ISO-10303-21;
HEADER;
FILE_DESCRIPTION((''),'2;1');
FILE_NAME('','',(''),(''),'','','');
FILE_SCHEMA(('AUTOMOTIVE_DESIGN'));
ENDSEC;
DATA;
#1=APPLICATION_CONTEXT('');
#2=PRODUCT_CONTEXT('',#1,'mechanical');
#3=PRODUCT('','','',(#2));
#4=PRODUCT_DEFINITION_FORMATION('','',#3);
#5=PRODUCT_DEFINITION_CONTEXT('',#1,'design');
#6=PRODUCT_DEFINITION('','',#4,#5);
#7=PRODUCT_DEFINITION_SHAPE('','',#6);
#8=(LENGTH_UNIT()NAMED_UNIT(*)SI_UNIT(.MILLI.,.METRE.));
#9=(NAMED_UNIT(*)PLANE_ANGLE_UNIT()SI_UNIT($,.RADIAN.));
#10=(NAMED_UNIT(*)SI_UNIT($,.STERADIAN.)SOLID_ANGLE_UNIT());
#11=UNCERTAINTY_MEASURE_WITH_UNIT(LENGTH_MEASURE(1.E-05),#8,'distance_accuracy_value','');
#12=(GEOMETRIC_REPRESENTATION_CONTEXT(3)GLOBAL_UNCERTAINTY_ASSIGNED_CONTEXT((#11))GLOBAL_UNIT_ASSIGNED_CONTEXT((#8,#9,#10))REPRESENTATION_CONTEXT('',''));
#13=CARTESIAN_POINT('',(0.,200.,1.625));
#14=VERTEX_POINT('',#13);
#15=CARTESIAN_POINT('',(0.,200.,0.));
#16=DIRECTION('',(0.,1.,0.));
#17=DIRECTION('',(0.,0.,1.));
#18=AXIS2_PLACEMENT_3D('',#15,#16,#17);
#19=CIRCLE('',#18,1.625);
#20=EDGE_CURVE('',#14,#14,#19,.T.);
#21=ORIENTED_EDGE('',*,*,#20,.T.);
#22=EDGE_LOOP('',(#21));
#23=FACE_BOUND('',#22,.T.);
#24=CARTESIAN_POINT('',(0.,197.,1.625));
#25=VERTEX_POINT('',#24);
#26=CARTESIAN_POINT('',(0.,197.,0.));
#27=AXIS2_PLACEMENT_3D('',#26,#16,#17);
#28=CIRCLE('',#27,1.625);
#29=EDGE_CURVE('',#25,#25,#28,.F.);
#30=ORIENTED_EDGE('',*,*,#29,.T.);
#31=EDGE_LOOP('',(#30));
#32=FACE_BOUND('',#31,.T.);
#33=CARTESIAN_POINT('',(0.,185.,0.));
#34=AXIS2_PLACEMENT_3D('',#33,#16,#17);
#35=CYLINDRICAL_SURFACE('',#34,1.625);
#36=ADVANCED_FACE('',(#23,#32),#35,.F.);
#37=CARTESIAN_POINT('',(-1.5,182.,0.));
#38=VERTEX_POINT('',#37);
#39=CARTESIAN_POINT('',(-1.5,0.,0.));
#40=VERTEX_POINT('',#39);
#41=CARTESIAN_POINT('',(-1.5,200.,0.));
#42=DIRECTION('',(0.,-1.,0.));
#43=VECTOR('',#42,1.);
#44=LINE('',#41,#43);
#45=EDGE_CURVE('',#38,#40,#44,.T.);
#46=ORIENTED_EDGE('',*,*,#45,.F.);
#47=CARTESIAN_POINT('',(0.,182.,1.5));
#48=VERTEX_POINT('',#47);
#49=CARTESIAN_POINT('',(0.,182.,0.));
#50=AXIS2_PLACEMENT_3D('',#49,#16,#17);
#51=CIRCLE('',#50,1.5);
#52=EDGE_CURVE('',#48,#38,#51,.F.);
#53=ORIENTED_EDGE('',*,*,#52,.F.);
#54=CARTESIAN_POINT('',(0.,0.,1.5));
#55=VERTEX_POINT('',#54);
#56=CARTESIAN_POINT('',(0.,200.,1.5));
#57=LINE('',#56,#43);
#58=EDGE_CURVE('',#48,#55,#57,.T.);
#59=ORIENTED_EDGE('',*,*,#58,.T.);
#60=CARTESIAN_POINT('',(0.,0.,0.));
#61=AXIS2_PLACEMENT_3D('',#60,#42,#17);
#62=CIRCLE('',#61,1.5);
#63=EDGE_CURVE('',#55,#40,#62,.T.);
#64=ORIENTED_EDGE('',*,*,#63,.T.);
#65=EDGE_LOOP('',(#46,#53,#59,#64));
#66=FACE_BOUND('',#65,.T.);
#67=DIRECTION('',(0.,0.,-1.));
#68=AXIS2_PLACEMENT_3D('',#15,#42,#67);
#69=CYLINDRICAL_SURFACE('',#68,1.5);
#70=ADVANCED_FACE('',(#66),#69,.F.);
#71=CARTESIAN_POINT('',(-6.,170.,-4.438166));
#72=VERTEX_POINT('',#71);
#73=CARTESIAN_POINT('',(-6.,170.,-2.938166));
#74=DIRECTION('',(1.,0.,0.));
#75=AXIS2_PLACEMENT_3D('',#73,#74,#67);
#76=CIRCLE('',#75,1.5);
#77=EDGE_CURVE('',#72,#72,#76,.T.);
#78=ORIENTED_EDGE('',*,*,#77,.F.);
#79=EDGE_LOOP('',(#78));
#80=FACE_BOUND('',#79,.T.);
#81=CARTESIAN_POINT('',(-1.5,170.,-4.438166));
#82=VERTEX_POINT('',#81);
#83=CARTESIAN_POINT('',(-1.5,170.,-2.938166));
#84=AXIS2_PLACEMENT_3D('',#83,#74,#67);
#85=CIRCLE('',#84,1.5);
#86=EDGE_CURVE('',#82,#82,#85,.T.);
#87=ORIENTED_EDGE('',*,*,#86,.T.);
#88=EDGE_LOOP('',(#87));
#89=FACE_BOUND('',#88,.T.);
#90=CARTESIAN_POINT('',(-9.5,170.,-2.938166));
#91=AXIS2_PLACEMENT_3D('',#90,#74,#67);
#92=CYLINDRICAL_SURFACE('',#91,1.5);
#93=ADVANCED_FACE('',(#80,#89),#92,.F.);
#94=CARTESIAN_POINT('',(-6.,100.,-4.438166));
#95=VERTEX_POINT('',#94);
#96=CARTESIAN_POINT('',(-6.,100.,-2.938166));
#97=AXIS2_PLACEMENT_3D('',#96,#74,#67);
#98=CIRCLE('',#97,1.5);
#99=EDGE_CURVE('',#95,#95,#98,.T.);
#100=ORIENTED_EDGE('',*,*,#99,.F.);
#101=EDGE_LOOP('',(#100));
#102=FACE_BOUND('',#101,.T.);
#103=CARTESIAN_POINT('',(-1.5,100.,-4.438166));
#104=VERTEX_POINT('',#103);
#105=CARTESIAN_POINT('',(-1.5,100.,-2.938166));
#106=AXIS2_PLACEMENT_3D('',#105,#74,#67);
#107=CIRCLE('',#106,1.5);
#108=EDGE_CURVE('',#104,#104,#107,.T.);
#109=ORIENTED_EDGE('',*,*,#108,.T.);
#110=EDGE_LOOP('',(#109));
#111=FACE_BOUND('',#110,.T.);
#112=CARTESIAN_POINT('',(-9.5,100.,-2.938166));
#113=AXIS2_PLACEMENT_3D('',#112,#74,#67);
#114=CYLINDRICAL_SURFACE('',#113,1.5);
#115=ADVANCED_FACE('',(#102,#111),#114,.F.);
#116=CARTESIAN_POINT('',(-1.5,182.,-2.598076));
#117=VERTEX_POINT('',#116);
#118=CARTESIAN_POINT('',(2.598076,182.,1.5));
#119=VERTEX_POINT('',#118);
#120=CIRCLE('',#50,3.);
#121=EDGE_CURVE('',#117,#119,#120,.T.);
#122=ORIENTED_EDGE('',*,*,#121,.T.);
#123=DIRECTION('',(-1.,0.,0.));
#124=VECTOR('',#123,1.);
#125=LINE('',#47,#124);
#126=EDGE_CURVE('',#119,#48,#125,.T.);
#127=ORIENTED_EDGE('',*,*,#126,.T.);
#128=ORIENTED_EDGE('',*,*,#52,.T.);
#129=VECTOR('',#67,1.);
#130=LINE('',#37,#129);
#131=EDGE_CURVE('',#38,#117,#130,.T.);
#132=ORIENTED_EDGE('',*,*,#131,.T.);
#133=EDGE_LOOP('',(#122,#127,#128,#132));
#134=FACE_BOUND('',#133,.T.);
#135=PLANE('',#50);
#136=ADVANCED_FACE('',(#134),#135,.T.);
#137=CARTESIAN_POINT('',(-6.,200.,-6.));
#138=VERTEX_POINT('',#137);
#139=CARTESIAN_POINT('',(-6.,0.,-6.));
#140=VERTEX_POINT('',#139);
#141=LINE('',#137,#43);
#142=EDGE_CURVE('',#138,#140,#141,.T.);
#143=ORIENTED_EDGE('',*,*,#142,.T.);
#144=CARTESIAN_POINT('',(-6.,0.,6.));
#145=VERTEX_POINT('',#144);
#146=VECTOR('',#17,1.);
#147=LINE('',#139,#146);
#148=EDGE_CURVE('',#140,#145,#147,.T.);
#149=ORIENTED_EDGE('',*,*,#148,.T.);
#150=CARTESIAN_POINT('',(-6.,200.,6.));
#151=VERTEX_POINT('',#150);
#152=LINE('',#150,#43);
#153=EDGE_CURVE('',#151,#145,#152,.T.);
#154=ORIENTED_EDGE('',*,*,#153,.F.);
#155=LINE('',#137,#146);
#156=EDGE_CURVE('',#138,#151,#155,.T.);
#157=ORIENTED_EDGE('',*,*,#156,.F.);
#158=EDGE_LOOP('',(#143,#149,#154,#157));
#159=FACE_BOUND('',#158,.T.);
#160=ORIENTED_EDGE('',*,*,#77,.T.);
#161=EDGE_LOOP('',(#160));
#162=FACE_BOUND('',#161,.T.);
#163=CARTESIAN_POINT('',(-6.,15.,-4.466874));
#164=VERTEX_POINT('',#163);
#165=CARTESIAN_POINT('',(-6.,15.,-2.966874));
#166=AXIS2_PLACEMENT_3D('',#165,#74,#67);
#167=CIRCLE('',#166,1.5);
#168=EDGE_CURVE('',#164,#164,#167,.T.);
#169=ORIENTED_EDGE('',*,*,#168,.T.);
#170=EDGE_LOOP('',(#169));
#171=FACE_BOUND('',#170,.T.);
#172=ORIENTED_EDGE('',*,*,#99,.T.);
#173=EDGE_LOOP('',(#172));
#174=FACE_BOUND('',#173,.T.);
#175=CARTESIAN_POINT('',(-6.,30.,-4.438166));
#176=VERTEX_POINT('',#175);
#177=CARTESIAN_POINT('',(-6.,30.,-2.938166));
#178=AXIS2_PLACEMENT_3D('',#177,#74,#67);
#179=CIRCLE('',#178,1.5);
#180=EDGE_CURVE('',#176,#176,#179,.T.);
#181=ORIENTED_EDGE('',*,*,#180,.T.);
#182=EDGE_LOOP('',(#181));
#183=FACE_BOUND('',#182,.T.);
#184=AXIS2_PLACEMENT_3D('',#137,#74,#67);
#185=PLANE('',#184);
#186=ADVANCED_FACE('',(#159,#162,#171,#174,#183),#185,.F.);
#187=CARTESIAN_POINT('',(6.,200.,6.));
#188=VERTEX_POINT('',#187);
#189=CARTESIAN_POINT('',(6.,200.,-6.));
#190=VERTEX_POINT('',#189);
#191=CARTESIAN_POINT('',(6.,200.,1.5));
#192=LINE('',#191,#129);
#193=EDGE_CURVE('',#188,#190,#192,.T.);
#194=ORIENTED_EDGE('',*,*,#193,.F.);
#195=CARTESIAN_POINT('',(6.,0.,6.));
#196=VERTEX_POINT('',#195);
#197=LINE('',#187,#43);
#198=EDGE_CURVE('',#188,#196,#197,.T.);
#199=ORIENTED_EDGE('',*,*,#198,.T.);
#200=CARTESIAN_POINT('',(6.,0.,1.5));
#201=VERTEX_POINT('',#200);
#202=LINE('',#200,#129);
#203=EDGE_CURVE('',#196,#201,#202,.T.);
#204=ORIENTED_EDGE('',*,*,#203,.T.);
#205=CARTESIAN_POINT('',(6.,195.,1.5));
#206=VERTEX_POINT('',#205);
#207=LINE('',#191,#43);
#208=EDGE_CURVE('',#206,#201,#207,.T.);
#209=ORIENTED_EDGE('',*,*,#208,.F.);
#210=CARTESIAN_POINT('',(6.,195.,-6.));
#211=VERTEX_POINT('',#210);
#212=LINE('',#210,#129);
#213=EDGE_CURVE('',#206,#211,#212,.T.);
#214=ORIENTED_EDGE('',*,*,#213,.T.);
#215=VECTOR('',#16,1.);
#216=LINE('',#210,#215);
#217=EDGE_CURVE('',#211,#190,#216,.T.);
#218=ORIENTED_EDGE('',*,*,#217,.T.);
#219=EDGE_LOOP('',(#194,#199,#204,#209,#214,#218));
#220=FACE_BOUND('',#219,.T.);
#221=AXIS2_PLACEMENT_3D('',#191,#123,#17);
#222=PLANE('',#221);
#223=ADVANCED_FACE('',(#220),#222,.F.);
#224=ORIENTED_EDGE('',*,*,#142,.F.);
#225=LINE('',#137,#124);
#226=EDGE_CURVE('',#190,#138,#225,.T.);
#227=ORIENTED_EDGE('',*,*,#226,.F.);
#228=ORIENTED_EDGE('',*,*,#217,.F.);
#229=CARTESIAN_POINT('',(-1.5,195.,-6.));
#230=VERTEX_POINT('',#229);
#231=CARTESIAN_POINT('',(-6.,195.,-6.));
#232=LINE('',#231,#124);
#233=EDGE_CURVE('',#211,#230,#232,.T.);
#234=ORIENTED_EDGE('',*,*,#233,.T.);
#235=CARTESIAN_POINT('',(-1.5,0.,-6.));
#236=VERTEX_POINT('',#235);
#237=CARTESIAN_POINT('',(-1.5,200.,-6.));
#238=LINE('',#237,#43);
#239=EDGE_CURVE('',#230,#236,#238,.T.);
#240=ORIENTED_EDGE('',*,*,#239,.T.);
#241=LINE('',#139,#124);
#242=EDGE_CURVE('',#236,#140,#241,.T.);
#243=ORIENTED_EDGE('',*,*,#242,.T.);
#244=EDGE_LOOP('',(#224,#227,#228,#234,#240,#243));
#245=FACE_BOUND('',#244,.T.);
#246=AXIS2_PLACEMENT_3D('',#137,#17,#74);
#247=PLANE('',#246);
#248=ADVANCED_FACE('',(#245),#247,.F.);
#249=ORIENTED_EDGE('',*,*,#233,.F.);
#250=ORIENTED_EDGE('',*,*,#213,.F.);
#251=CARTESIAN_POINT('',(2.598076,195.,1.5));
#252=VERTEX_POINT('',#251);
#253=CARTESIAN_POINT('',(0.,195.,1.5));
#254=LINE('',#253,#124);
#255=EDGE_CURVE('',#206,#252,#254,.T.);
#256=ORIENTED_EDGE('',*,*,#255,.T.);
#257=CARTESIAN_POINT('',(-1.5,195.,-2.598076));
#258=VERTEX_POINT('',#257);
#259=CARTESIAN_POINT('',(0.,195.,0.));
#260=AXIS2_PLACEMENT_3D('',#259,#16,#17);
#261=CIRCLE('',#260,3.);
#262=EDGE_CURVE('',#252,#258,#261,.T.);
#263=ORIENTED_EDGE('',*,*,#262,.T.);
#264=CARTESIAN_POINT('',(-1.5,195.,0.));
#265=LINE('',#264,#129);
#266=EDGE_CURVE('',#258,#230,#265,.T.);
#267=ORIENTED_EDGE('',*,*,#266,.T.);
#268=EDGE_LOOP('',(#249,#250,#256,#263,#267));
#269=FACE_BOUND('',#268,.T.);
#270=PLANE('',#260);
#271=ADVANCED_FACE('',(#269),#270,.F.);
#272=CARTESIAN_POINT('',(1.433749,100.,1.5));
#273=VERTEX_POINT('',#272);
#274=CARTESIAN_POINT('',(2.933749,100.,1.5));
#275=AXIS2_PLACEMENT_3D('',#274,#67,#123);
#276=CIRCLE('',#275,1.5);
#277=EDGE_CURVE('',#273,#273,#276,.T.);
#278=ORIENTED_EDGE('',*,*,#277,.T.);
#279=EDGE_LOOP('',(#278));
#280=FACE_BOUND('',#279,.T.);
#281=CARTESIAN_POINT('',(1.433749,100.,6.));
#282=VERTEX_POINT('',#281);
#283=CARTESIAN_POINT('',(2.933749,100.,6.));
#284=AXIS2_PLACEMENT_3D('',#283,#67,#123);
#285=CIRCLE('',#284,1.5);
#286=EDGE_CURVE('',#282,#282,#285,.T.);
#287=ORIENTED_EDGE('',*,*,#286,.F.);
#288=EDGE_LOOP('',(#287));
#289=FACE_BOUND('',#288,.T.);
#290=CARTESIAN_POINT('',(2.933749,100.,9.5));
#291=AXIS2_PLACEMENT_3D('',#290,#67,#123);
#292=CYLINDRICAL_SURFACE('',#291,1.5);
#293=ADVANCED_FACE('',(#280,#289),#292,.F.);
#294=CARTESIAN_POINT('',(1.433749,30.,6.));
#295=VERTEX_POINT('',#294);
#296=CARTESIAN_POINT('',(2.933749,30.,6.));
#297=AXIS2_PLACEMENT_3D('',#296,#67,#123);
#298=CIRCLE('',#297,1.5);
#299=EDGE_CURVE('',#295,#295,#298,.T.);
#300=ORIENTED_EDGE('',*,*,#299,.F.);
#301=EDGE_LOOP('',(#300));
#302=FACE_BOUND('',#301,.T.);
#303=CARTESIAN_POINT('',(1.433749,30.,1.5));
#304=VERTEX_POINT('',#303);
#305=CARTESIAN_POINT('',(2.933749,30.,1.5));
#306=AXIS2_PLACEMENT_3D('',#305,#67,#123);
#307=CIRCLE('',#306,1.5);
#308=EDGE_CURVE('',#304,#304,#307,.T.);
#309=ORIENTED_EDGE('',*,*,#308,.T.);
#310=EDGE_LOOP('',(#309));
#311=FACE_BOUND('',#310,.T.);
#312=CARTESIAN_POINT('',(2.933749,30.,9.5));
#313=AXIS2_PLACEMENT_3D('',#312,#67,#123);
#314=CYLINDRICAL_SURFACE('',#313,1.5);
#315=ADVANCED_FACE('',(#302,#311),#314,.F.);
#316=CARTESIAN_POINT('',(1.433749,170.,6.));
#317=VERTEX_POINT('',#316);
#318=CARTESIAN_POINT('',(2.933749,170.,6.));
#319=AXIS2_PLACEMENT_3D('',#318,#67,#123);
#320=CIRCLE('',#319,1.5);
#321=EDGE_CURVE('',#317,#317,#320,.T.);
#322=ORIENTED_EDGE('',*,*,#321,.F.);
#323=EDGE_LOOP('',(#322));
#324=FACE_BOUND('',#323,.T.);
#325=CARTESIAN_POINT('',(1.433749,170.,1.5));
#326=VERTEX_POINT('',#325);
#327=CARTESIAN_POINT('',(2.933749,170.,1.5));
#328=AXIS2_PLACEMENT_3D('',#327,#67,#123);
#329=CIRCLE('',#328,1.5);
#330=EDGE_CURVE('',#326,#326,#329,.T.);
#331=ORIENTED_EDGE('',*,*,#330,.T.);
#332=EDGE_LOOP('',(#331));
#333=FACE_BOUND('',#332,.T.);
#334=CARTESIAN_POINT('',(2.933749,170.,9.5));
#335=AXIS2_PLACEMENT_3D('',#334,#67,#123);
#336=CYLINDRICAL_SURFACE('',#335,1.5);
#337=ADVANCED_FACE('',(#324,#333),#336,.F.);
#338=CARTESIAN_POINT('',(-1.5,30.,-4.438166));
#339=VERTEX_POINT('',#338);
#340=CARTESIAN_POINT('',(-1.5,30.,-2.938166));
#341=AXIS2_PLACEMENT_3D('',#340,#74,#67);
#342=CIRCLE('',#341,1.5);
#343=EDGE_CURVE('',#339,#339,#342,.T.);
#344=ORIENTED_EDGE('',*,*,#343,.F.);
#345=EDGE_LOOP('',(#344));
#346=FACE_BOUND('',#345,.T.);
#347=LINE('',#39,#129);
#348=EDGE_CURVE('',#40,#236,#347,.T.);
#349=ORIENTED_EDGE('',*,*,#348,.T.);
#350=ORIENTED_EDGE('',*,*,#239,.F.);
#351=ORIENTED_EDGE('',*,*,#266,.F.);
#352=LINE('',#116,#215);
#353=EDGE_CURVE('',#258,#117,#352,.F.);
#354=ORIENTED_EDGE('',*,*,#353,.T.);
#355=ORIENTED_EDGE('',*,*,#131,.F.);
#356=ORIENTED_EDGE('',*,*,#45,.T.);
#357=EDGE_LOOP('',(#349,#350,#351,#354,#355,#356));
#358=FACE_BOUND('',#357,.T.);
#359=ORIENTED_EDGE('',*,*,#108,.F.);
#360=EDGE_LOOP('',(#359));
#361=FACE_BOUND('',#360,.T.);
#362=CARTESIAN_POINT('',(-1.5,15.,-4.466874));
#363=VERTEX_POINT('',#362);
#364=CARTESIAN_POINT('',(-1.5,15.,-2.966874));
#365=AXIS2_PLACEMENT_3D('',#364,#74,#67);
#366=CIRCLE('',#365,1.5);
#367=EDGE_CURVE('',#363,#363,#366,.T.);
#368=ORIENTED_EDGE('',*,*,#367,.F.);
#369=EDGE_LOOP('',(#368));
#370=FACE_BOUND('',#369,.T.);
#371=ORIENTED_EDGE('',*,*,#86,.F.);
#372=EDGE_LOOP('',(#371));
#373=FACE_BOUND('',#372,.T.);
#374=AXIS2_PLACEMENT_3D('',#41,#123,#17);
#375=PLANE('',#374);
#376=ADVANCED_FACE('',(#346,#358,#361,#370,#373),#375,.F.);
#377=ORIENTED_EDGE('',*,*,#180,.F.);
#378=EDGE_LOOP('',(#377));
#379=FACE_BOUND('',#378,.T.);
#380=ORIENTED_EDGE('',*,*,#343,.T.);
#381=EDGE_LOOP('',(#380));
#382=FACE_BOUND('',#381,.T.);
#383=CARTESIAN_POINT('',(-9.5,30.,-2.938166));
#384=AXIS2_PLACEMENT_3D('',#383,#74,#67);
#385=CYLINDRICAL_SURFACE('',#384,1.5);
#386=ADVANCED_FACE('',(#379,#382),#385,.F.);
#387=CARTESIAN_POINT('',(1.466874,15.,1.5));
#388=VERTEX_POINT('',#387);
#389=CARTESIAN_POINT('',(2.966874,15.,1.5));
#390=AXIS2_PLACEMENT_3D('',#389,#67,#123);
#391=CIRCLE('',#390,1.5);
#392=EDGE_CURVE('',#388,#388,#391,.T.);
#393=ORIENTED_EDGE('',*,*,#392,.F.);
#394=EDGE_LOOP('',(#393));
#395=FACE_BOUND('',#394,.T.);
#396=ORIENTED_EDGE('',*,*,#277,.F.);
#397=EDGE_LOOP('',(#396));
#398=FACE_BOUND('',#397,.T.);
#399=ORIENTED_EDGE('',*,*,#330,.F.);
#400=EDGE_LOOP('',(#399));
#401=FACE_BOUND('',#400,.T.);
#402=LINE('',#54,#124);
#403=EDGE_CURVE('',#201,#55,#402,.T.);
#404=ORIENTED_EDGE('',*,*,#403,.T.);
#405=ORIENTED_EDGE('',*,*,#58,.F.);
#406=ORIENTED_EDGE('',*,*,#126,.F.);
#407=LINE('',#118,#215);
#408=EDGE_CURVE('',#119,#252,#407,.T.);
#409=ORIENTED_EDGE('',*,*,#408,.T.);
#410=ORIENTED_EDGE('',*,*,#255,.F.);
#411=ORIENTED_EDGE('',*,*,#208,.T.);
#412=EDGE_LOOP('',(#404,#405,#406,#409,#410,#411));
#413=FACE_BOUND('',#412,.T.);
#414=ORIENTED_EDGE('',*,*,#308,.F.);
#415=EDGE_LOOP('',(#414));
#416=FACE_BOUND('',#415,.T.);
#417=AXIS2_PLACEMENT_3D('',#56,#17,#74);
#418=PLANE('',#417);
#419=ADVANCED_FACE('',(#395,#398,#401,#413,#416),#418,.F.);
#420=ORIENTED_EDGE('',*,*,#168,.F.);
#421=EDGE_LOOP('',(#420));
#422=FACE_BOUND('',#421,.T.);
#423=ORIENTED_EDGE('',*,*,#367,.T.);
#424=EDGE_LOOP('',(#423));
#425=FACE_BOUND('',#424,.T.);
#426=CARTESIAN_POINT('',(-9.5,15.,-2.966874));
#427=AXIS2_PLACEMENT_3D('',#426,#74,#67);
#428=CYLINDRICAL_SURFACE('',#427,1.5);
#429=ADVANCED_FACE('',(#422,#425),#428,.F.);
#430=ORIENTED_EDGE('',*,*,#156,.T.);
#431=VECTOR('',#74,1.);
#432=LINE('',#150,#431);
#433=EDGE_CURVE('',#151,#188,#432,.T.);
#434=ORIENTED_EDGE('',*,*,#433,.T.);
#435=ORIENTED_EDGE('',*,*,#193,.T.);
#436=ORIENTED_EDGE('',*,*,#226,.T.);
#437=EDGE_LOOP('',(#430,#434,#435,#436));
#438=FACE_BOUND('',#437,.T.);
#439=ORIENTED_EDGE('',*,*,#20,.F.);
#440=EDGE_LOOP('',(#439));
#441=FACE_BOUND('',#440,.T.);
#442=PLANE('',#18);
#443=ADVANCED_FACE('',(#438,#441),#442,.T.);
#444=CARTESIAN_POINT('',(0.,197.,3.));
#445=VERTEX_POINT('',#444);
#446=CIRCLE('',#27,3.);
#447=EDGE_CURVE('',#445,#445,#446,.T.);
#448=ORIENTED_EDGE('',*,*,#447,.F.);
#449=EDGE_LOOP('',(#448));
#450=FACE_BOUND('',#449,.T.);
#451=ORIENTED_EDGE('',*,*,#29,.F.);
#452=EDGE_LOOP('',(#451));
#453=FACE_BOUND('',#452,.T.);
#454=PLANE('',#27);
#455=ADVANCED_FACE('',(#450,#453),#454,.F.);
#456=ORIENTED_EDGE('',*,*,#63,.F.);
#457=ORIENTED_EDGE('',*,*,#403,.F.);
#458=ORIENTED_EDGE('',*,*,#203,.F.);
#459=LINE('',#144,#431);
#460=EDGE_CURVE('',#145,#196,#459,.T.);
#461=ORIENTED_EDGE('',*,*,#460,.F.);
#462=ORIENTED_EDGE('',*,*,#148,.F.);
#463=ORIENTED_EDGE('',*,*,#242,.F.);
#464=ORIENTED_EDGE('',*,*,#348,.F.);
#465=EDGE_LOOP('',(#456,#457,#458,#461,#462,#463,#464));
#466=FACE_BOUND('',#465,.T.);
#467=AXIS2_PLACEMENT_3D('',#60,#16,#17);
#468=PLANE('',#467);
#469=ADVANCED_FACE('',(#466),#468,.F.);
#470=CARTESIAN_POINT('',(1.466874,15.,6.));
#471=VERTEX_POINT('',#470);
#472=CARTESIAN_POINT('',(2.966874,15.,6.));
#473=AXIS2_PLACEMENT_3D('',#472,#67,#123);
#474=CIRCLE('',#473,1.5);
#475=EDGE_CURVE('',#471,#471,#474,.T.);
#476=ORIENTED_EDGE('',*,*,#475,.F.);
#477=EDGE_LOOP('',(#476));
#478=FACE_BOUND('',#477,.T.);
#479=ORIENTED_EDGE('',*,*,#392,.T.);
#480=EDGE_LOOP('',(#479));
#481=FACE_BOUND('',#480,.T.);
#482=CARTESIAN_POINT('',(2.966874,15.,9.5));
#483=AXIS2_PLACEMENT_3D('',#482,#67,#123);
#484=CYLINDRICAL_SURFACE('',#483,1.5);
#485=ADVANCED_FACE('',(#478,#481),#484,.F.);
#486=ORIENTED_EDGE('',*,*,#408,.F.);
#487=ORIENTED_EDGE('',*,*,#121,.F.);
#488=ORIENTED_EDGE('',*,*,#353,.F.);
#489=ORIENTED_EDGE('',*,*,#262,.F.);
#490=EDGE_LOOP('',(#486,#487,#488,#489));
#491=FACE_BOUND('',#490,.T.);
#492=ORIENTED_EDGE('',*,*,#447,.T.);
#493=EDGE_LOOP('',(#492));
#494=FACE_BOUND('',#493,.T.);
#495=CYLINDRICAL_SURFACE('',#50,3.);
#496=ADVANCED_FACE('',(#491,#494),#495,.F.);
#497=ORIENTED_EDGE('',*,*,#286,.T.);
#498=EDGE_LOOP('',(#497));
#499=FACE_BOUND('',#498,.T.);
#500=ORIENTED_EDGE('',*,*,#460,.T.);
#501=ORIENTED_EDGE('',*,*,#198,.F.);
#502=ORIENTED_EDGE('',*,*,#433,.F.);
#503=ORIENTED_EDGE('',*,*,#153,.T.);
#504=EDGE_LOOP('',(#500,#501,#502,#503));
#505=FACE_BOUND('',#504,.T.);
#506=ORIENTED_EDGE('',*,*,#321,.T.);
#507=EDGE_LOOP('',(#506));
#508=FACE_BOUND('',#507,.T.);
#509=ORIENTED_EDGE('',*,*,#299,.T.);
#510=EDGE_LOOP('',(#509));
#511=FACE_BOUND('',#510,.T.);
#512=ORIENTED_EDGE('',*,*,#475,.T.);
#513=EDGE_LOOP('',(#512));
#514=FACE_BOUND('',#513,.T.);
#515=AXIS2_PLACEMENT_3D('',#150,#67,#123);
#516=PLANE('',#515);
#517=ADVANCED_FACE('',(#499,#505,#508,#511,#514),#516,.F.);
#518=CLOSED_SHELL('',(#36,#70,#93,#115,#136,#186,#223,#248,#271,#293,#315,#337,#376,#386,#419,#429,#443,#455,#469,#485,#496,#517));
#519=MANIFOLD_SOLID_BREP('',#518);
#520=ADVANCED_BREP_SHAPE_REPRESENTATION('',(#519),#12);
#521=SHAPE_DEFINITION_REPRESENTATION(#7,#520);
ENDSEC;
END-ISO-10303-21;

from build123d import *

# Parameters (mm, degrees)
BOSS_EXTRUDE1_DEPTH = 200
SKETCH2_W           = 12
SKETCH2_H           = 12
BOSS_EXTRUDE2_DEPTH = 5
SKETCH3_R           = 1.625
CUT_EXTRUDE1_DEPTH  = 15
CUT_EXTRUDE3_START  = -3
SKETCH6_R           = 3
CUT_EXTRUDE3_DEPTH  = 15
SKETCH7_R           = 1.5
CUT_EXTRUDE4_DEPTH  = 8
SKETCH8_R           = 1.5
CUT_EXTRUDE5_DEPTH  = 8


with BuildPart() as part:
    # Sketch1 → Boss-Extrude1 (new body)
    with BuildSketch(Plane(origin=(0, 0, 0), x_dir=(1, 0, 0), z_dir=(0, 1, 0))):
        with BuildLine():
            Line((-6, 6), (-1.5, 6))
            Line((-1.5, 6), (-1.5, 0))
            ThreePointArc((-1.5, 0), (-1.060660172, -1.060660172), (0, -1.5))
            Line((0, -1.5), (6, -1.5))
            Line((6, -1.5), (6, -6))
            Line((6, -6), (-6, -6))
            Line((-6, -6), (-6, 6))
        make_face()
    extrude(amount=BOSS_EXTRUDE1_DEPTH)

    # Sketch2 → Boss-Extrude2 (add)
    with BuildSketch(Plane(origin=(0, 200, 0), x_dir=(1, 0, 0), z_dir=(0, 1, 0))):
        Rectangle(SKETCH2_W, SKETCH2_H)
    extrude(amount=-BOSS_EXTRUDE2_DEPTH)

    # Sketch3 → Cut-Extrude1 (cut)
    with BuildSketch(Plane(origin=(0, 200, 0), x_dir=(1, 0, 0), z_dir=(0, 1, 0))):
        with Locations(Location((0, 0, 0), (0, 0, 270))):
            Circle(SKETCH3_R)
    extrude(amount=-CUT_EXTRUDE1_DEPTH, mode=Mode.SUBTRACT)

    # Sketch6 → Cut-Extrude3 (cut)
    with BuildSketch(Plane(origin=(0, 200, 0), x_dir=(1, 0, 0), z_dir=(0, 1, 0)).offset(CUT_EXTRUDE3_START)):
        with Locations(Location((0, 0, 0), (0, 0, 270))):
            Circle(SKETCH6_R)
    extrude(amount=-CUT_EXTRUDE3_DEPTH, mode=Mode.SUBTRACT)

    # Sketch7 → Cut-Extrude4 (cut)
    with BuildSketch(Plane(origin=(0, 0, 1.5), x_dir=(-1, 0, 0), z_dir=(0, 0, -1))):
        with Locations((-2.933748826, 30)):
            Circle(SKETCH7_R)
        with Locations((-2.933748826, 100)):
            Circle(SKETCH7_R)
        with Locations((-2.933748826, 170)):
            Circle(SKETCH7_R)
        with Locations((-2.966874413, 15)):
            Circle(SKETCH7_R)
    extrude(amount=-CUT_EXTRUDE4_DEPTH, mode=Mode.SUBTRACT)

    # Sketch8 → Cut-Extrude5 (cut)
    with BuildSketch(Plane(origin=(-1.5, 0, 0), x_dir=(0, 0, -1), z_dir=(1, 0, 0))):
        with Locations((2.938165571, 30)):
            Circle(SKETCH8_R)
        with Locations((2.938165571, 100)):
            Circle(SKETCH8_R)
        with Locations((2.938165571, 170)):
            Circle(SKETCH8_R)
        with Locations((2.966874413, 15)):
            Circle(SKETCH8_R)
    extrude(amount=-CUT_EXTRUDE5_DEPTH, mode=Mode.SUBTRACT)


solid = part.part
